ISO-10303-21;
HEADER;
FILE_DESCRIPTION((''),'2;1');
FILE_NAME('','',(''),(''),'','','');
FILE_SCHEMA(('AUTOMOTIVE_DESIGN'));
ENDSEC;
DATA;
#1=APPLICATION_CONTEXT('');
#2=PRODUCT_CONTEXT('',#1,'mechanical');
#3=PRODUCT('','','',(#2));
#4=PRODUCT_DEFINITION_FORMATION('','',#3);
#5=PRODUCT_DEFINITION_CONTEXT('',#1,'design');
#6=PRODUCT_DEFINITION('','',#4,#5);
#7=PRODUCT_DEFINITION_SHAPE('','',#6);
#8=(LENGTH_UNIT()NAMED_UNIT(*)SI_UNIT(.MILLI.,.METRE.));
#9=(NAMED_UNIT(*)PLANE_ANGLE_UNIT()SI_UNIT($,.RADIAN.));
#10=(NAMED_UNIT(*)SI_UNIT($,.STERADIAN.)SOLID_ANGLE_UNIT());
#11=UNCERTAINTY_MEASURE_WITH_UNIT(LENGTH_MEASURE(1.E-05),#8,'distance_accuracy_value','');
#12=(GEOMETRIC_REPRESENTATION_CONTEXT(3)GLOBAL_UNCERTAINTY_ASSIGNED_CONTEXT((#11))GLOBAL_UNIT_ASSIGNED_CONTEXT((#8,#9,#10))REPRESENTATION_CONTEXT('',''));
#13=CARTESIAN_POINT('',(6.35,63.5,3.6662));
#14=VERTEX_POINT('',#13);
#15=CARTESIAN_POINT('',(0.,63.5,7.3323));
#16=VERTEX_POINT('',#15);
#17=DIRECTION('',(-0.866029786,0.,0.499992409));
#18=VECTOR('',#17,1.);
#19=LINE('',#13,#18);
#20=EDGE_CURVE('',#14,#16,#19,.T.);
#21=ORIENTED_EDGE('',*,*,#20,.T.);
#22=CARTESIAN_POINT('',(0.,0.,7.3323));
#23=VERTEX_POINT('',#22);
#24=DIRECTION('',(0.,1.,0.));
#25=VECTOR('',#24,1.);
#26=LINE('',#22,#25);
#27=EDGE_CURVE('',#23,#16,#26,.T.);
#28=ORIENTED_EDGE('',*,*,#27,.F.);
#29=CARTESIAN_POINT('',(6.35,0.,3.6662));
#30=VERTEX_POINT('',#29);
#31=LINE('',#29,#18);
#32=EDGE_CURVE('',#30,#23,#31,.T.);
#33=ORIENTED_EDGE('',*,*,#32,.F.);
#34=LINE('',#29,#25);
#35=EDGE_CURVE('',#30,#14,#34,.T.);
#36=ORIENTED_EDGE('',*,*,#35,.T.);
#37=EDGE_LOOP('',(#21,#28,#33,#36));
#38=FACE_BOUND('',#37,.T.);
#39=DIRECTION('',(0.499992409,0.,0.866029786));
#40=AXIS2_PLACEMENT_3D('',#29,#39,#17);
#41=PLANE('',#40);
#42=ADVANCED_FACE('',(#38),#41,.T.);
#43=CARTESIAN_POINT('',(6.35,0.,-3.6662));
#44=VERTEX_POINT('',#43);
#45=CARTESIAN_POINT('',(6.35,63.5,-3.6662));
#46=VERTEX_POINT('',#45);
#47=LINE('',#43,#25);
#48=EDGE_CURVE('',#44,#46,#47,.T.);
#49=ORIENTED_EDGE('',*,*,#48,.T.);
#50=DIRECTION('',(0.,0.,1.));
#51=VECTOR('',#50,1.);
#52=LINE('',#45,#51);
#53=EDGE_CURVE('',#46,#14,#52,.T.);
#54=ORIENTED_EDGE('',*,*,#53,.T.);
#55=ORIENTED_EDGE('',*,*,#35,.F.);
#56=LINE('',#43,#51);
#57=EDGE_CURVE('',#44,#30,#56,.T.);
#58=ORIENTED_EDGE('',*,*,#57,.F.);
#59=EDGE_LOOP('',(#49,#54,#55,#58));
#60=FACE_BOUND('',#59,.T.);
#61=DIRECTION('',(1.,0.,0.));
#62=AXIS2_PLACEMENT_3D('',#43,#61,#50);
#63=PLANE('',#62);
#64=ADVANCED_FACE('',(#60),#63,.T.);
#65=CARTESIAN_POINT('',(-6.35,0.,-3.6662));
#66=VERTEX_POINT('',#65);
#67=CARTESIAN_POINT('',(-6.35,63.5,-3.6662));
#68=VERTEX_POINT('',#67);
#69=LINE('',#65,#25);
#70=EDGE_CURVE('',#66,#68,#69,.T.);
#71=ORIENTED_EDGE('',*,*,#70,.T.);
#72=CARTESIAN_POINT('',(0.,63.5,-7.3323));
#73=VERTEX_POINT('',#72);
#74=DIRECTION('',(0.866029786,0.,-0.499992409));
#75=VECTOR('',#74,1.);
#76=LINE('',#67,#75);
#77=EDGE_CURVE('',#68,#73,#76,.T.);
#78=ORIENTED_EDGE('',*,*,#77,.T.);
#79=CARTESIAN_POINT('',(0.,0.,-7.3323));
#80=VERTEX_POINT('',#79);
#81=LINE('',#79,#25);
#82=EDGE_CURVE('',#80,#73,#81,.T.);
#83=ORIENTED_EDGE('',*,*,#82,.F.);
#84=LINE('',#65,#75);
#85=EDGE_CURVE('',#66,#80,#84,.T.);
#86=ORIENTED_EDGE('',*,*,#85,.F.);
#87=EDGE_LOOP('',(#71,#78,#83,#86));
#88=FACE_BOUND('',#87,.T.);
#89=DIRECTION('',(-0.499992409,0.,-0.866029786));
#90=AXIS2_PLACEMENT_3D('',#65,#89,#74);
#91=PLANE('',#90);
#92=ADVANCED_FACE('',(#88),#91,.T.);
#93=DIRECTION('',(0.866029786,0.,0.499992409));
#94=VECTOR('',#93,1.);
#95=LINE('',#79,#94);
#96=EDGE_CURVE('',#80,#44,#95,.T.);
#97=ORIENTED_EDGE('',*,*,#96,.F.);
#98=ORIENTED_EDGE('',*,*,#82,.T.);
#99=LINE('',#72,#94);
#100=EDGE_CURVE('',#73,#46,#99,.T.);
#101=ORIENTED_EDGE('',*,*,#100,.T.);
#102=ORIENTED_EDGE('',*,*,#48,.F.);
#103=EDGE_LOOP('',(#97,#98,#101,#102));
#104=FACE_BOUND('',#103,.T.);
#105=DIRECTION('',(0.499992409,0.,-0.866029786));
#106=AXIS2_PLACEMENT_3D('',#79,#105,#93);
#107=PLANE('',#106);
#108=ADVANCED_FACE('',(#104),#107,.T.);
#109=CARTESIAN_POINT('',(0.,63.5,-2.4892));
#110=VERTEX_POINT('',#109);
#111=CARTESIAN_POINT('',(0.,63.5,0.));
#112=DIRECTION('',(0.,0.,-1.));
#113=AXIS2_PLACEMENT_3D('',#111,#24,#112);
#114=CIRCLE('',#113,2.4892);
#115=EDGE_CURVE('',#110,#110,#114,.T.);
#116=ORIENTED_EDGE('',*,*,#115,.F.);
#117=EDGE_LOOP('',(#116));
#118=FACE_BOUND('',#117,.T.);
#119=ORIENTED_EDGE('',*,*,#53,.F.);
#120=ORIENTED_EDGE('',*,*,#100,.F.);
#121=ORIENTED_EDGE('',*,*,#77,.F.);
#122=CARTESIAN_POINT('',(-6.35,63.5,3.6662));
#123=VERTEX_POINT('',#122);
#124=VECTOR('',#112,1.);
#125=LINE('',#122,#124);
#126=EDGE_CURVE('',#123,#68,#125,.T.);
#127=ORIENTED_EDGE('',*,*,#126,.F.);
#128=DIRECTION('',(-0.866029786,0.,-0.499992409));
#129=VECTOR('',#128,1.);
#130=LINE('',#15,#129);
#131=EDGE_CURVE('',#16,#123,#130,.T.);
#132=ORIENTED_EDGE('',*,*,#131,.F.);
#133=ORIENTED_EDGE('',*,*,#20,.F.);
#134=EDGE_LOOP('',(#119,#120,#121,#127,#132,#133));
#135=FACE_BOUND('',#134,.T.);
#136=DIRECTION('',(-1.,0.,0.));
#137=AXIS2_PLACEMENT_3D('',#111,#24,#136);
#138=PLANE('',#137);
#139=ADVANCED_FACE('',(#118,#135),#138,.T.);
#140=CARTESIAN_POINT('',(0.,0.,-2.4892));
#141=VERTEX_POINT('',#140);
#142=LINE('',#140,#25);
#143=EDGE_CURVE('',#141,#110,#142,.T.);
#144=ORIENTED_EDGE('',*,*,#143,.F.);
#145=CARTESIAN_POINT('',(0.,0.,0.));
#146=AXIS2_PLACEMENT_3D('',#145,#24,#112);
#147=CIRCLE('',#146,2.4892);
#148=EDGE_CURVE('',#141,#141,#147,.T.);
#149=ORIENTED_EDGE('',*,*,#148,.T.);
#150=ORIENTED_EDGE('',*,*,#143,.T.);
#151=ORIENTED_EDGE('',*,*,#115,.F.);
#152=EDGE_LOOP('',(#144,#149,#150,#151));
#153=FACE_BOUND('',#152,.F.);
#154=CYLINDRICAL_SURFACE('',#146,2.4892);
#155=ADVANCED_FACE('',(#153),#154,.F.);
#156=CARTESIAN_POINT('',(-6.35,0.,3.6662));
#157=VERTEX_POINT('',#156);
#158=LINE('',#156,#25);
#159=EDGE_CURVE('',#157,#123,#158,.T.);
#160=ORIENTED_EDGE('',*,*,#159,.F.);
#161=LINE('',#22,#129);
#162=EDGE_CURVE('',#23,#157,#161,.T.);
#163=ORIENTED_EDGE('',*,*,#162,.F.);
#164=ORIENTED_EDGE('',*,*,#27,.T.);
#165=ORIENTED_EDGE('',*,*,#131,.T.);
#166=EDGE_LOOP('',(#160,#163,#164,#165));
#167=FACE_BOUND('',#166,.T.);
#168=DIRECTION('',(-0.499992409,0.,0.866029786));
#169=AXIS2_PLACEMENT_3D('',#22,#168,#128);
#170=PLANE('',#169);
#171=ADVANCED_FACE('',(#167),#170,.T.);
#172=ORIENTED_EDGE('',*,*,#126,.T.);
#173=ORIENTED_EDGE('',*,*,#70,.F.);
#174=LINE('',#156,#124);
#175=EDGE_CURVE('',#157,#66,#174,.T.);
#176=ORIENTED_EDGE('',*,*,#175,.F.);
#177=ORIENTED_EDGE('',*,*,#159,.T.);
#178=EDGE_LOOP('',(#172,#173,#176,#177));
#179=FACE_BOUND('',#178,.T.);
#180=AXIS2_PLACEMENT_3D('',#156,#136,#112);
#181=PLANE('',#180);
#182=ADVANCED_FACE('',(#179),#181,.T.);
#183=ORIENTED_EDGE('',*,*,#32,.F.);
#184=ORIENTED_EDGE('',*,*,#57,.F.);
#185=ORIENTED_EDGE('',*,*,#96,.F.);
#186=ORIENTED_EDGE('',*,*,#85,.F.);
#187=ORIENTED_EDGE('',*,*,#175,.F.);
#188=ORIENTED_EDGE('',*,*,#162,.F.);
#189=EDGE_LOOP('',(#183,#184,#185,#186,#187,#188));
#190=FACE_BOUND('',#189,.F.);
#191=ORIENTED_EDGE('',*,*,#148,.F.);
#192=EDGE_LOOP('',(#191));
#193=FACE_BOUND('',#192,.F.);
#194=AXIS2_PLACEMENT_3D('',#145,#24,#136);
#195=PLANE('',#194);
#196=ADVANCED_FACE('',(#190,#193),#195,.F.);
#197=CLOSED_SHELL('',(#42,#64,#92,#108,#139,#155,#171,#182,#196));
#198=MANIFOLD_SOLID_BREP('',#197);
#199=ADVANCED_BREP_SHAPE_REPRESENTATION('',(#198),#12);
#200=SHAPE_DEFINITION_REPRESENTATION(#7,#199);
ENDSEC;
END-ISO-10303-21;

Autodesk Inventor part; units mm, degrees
ref_plane "YZ Plane" through (0, 0, 0) normal (1, 0, 0) x (0, 1, 0)
ref_plane "XZ Plane" through (0, 0, 0) normal (0, 1, 0) x (-1, 0, 0)
ref_plane "XY Plane" through (0, 0, 0) normal (0, 0, 1) x (1, 0, 0)
sketch "Sketch1" plane through (0, 0, 0) normal (0, 1, 0) x (-1, 0, 0)
  line L0 (6.35, -3.6662) -> (0, -7.3323)
  line L1 (0, -7.3323) -> (-6.35, -3.6662)
  line L2 (-6.35, -3.6662) -> (-6.35, 3.6662)
  line L3 (-6.35, 3.6662) -> (0, 7.3323)
  line L4 (0, 7.3323) -> (6.35, 3.6662)
  line L5 (6.35, 3.6662) -> (6.35, -3.6662)
  point P0 (0, 0)
  point P1 (0, 0)
  point P2 (0, 0)
  dimension "d0" = 12.7
extrude "Extrusion1" add sketch "Sketch1" along normal blind 63.5
sketch "Sketch3" plane through (0, 0, 0) normal (0, -1, 0) x (1, 0, 0)
  point P0 (0, 0)
  point P1 (0, 0)
hole "Hole1" at (0, 0, 0) direction (0, 1, 0) diameter 4.9784 end through all thread size "1/4-20 UNC" class "2B" standard "ANSI Unified Screw Threads"
properties part number "ELEV_031_HEXSHAFT2" material "Aluminum 6061"
